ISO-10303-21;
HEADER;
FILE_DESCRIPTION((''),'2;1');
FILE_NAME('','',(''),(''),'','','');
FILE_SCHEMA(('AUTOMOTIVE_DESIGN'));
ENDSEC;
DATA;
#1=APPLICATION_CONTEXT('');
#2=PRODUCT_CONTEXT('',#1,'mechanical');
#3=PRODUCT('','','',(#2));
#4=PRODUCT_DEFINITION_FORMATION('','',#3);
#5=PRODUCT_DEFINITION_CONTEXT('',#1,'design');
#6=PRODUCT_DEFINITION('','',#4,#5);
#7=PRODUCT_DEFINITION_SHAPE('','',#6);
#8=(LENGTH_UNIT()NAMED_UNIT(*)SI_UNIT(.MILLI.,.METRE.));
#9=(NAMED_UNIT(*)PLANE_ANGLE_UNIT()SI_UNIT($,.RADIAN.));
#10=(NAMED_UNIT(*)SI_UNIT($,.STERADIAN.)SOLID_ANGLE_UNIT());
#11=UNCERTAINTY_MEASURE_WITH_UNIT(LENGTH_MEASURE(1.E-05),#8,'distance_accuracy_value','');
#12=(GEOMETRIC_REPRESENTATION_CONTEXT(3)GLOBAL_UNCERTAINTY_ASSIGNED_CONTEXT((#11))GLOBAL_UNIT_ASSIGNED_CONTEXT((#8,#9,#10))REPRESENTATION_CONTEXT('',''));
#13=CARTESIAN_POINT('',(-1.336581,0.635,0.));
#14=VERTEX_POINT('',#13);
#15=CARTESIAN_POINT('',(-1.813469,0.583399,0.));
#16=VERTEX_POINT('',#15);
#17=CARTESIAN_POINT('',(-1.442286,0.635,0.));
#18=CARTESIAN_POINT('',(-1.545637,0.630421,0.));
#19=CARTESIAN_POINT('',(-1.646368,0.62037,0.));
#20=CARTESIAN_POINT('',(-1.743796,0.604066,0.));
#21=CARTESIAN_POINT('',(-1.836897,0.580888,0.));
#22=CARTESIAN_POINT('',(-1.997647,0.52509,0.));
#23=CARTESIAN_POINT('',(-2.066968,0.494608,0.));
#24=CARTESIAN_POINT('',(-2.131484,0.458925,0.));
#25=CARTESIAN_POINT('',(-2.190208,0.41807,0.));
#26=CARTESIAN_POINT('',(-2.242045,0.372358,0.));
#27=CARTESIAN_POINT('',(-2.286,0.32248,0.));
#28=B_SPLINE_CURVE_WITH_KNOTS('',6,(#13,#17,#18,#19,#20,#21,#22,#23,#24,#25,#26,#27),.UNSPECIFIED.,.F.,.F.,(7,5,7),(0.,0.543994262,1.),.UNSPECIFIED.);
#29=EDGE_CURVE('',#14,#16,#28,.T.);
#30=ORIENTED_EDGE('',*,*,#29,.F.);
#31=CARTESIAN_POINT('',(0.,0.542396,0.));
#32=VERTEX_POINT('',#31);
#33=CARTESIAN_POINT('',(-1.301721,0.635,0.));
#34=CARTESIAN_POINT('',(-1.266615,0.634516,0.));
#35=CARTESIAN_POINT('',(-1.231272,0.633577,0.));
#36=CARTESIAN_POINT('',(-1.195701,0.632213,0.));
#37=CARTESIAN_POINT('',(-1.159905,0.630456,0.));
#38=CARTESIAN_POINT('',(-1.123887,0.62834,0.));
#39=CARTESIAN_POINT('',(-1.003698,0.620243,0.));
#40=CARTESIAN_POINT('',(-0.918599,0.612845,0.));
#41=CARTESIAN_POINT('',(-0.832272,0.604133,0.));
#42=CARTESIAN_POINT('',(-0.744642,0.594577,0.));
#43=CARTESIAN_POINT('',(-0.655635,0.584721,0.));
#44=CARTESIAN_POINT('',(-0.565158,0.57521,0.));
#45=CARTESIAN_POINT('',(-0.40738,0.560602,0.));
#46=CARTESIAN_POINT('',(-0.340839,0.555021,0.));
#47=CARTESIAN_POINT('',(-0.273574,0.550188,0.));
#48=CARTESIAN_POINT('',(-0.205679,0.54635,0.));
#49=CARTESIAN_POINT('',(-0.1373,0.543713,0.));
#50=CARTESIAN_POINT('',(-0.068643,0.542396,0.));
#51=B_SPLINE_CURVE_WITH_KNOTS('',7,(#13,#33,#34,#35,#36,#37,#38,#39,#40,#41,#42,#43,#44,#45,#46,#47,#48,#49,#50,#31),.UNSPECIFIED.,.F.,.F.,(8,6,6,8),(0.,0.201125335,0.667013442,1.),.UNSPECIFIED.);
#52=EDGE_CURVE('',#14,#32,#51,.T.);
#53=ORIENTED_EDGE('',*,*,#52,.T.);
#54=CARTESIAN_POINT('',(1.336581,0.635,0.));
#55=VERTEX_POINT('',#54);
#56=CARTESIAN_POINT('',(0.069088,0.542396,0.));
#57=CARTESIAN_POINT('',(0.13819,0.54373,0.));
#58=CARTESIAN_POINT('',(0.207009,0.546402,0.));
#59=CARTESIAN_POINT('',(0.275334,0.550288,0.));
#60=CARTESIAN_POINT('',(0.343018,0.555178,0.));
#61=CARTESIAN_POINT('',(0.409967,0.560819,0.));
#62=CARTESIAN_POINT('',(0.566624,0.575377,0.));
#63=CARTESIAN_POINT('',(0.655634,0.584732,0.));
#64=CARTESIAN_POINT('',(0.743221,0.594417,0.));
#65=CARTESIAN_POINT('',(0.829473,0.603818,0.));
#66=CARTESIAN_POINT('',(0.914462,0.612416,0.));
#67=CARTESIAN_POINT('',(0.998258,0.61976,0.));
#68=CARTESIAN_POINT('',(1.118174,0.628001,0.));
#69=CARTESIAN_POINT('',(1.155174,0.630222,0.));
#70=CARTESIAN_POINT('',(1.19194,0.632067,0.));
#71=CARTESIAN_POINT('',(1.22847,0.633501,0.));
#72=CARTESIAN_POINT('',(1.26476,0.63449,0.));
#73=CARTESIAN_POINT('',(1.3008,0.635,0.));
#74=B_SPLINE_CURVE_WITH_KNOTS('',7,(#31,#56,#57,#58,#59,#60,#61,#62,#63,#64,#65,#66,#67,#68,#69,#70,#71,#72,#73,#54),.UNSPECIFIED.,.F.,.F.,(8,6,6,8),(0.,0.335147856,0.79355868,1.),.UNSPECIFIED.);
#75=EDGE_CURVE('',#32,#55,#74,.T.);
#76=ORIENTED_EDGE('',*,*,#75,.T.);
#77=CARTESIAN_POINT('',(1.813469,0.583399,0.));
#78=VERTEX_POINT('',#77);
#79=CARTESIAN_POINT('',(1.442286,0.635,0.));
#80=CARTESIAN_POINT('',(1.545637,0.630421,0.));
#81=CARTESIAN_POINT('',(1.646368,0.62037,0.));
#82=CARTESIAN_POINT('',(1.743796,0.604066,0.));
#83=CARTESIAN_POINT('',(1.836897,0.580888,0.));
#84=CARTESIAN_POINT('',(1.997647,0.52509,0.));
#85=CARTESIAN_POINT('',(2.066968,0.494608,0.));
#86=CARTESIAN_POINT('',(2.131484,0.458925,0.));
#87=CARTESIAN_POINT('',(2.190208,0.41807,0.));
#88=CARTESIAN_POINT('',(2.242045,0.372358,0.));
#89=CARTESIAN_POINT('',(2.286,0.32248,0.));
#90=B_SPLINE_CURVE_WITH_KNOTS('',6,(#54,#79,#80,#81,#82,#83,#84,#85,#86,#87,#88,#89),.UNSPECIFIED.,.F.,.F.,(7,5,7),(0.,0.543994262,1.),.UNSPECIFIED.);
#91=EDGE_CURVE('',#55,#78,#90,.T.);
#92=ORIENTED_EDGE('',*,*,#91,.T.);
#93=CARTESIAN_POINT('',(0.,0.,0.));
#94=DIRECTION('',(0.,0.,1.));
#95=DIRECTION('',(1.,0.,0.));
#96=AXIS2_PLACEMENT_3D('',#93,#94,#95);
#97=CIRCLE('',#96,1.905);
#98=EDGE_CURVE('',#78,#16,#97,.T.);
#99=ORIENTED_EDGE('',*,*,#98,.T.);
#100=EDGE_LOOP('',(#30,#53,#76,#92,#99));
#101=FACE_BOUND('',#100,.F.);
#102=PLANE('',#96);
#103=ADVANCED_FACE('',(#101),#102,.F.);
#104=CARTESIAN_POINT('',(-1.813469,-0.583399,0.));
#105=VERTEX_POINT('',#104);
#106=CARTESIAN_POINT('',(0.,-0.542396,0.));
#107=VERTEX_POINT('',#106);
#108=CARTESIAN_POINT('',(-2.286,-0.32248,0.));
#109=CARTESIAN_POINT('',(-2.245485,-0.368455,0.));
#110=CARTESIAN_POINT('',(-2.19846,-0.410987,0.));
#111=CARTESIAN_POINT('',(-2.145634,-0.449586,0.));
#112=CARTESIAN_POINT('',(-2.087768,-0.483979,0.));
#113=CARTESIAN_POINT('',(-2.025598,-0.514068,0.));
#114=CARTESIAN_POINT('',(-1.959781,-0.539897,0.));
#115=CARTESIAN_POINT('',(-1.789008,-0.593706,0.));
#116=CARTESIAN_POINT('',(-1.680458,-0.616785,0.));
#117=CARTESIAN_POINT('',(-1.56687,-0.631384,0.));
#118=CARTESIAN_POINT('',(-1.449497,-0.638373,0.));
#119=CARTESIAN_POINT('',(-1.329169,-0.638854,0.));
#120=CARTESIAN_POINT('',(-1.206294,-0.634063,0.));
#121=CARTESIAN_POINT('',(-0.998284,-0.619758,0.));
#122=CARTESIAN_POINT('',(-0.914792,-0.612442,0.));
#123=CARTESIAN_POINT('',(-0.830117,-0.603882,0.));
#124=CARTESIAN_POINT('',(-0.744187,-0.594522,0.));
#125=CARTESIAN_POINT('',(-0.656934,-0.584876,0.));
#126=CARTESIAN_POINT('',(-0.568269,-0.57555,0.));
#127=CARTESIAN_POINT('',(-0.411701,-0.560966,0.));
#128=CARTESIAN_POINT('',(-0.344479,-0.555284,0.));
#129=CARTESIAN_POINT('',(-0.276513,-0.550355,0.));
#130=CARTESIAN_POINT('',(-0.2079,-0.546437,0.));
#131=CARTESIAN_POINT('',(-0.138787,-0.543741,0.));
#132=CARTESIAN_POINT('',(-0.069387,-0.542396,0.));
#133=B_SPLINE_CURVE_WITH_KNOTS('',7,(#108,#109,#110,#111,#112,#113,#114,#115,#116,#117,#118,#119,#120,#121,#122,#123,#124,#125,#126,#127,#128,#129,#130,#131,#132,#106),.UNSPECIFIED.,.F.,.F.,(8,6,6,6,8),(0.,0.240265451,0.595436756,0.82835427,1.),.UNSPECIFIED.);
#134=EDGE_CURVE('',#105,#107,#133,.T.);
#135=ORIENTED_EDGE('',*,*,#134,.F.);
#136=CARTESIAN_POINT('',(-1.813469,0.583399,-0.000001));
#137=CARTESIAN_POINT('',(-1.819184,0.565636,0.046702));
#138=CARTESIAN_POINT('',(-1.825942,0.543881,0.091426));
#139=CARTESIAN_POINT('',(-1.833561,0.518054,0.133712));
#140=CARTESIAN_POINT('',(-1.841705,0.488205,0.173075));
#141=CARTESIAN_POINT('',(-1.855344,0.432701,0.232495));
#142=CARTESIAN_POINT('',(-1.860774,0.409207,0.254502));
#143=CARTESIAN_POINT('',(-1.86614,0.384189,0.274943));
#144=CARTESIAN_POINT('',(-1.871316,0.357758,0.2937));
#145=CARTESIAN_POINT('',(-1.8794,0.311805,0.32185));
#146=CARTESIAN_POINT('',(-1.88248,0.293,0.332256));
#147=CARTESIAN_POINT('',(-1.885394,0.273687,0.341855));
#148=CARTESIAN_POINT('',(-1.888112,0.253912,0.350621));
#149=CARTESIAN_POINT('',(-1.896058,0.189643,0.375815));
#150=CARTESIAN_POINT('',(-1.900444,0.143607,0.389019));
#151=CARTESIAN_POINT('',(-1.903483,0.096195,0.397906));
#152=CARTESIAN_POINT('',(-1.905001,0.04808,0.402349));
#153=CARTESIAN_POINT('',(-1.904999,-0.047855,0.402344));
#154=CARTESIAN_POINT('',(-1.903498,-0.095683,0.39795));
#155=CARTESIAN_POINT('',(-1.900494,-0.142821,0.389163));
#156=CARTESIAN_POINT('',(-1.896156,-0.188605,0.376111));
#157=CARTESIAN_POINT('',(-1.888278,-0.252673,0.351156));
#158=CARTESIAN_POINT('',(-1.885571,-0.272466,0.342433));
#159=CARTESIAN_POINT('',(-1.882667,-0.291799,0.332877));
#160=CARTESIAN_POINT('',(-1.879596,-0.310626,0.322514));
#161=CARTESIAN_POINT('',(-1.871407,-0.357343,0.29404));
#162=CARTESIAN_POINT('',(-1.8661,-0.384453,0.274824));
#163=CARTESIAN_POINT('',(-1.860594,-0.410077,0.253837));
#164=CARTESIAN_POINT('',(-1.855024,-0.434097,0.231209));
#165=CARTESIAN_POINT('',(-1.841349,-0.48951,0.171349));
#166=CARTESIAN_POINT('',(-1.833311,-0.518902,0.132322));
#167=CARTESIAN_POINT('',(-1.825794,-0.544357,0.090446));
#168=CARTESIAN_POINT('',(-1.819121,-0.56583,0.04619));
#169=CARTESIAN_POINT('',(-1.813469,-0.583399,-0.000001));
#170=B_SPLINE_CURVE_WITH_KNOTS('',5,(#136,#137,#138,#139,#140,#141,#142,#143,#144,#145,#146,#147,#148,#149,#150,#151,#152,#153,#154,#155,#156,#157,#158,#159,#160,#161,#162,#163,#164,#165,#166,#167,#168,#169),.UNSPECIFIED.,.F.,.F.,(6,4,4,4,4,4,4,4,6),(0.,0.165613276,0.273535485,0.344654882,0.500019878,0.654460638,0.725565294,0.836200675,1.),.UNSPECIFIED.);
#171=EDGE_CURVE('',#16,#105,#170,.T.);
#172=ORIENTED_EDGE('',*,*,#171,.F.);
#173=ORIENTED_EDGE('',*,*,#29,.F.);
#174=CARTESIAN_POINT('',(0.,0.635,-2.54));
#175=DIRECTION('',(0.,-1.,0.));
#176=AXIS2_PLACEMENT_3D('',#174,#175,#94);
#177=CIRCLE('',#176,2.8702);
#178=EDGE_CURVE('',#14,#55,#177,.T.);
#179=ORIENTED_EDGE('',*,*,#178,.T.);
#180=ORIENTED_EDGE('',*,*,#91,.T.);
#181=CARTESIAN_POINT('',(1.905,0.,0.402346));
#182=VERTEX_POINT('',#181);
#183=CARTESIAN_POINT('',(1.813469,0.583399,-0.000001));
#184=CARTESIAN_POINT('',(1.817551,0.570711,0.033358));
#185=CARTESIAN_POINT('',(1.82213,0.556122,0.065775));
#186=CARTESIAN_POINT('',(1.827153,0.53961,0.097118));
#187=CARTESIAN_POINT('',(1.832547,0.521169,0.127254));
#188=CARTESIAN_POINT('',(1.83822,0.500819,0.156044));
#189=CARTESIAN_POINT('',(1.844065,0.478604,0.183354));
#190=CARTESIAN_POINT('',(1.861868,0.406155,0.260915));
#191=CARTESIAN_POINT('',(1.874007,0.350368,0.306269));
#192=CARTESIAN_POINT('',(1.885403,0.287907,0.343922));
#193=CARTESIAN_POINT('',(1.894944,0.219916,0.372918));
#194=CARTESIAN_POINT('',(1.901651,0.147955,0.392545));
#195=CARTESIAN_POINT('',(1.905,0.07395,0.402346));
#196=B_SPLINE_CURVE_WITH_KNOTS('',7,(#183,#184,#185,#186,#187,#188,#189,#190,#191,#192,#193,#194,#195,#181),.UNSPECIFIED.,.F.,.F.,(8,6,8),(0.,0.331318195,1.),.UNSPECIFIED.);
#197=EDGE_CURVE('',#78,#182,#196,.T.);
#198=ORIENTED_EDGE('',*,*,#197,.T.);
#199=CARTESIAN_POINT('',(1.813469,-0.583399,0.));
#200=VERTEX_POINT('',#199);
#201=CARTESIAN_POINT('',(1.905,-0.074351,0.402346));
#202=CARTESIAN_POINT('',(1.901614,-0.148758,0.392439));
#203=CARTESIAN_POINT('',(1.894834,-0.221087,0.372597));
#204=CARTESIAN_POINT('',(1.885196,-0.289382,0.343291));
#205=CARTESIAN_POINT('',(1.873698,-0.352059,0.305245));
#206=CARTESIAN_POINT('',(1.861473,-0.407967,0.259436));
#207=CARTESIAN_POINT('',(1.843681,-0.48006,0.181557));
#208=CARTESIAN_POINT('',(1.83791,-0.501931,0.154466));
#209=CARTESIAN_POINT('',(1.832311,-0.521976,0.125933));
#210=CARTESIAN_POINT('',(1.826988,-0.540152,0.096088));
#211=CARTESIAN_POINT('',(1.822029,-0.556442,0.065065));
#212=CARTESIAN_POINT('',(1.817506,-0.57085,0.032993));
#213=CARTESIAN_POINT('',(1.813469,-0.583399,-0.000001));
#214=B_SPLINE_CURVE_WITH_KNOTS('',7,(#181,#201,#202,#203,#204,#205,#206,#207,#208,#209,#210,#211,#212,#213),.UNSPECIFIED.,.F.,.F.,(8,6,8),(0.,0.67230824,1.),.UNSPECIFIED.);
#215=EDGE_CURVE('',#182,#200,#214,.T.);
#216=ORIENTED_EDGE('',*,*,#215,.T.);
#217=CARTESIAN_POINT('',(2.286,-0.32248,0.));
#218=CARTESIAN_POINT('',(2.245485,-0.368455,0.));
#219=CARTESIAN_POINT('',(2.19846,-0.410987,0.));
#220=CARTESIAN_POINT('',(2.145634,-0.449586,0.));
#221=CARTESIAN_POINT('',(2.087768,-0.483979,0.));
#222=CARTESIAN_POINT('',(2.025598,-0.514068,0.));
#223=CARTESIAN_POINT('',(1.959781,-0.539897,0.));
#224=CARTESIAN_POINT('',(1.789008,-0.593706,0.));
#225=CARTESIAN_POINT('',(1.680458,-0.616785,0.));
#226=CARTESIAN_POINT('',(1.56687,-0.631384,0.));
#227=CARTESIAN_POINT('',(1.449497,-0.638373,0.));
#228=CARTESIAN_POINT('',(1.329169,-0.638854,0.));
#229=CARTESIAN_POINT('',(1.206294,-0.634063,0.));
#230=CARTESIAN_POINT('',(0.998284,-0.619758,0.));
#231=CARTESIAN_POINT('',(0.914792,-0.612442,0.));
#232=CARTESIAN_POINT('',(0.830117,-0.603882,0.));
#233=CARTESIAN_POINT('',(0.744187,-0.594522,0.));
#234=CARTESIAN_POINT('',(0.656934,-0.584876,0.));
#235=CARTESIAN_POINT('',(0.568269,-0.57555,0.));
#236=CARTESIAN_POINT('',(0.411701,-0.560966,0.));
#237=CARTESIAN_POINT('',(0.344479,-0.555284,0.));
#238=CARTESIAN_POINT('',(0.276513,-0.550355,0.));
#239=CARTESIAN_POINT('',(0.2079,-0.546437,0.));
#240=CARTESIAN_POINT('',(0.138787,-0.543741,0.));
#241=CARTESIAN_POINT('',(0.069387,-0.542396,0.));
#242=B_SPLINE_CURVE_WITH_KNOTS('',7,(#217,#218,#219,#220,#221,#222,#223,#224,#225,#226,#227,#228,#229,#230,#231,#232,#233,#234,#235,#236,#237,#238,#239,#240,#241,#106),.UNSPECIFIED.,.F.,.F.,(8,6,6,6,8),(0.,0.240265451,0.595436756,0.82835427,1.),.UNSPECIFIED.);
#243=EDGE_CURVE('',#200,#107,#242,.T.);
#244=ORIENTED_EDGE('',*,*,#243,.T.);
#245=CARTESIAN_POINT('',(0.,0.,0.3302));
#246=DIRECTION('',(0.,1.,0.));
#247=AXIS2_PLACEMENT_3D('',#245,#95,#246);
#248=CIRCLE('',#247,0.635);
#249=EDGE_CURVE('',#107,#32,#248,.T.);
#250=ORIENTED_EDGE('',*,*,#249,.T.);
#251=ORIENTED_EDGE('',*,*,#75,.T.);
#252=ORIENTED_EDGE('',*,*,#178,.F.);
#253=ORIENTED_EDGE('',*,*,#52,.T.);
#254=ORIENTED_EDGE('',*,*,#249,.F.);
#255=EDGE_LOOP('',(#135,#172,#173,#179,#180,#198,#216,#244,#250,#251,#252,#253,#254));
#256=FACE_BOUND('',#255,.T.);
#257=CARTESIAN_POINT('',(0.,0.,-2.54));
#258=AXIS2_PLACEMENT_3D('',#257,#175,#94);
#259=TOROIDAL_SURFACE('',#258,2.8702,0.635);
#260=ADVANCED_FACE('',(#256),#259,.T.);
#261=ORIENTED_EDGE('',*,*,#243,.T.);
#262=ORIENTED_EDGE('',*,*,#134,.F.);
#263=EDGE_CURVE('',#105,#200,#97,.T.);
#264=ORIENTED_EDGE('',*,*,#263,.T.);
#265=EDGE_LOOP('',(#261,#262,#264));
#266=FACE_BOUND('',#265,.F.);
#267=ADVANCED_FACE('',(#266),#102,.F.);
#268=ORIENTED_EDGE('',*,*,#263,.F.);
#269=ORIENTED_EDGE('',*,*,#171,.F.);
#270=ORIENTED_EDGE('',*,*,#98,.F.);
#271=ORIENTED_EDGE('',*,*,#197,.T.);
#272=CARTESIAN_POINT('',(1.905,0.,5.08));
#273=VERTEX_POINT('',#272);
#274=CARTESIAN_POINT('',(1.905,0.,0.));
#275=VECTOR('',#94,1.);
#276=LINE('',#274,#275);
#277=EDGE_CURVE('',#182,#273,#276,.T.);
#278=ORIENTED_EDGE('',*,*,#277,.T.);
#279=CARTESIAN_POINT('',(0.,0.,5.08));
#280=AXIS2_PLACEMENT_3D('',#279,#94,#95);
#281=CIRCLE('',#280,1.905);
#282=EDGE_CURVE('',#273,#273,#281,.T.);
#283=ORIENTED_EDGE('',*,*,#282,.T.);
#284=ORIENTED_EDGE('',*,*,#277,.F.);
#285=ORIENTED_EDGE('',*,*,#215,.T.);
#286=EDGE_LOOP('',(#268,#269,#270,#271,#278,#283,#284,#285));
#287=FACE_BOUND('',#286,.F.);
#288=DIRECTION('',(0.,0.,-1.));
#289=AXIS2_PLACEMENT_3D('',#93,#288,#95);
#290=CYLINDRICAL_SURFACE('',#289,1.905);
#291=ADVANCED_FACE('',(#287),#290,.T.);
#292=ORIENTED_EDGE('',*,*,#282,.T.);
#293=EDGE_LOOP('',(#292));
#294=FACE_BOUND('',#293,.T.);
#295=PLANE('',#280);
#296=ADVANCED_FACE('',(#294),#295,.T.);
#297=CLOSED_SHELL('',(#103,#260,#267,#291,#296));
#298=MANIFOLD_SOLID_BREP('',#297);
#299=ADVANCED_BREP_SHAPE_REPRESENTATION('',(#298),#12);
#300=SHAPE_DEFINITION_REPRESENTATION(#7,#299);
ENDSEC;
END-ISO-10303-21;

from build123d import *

# Parameters (mm, degrees)
F0_R     = 1.905
F1_DEPTH = 5.08
F3_R     = 0.635


with BuildPart() as f1:
    # F0 (on Top) → F1 (new body)
    with BuildSketch(Plane.XY):
        Circle(F0_R)
    extrude(amount=F1_DEPTH)

    # F3 (on Right) → F4 (revolve)
    with BuildSketch(Plane.YZ):
        with Locations((0, 0.3302)):
            Circle(F3_R)
    revolve(axis=Axis((0, 0, -2.54), (0, -1, 0)))


solid = f1.part
